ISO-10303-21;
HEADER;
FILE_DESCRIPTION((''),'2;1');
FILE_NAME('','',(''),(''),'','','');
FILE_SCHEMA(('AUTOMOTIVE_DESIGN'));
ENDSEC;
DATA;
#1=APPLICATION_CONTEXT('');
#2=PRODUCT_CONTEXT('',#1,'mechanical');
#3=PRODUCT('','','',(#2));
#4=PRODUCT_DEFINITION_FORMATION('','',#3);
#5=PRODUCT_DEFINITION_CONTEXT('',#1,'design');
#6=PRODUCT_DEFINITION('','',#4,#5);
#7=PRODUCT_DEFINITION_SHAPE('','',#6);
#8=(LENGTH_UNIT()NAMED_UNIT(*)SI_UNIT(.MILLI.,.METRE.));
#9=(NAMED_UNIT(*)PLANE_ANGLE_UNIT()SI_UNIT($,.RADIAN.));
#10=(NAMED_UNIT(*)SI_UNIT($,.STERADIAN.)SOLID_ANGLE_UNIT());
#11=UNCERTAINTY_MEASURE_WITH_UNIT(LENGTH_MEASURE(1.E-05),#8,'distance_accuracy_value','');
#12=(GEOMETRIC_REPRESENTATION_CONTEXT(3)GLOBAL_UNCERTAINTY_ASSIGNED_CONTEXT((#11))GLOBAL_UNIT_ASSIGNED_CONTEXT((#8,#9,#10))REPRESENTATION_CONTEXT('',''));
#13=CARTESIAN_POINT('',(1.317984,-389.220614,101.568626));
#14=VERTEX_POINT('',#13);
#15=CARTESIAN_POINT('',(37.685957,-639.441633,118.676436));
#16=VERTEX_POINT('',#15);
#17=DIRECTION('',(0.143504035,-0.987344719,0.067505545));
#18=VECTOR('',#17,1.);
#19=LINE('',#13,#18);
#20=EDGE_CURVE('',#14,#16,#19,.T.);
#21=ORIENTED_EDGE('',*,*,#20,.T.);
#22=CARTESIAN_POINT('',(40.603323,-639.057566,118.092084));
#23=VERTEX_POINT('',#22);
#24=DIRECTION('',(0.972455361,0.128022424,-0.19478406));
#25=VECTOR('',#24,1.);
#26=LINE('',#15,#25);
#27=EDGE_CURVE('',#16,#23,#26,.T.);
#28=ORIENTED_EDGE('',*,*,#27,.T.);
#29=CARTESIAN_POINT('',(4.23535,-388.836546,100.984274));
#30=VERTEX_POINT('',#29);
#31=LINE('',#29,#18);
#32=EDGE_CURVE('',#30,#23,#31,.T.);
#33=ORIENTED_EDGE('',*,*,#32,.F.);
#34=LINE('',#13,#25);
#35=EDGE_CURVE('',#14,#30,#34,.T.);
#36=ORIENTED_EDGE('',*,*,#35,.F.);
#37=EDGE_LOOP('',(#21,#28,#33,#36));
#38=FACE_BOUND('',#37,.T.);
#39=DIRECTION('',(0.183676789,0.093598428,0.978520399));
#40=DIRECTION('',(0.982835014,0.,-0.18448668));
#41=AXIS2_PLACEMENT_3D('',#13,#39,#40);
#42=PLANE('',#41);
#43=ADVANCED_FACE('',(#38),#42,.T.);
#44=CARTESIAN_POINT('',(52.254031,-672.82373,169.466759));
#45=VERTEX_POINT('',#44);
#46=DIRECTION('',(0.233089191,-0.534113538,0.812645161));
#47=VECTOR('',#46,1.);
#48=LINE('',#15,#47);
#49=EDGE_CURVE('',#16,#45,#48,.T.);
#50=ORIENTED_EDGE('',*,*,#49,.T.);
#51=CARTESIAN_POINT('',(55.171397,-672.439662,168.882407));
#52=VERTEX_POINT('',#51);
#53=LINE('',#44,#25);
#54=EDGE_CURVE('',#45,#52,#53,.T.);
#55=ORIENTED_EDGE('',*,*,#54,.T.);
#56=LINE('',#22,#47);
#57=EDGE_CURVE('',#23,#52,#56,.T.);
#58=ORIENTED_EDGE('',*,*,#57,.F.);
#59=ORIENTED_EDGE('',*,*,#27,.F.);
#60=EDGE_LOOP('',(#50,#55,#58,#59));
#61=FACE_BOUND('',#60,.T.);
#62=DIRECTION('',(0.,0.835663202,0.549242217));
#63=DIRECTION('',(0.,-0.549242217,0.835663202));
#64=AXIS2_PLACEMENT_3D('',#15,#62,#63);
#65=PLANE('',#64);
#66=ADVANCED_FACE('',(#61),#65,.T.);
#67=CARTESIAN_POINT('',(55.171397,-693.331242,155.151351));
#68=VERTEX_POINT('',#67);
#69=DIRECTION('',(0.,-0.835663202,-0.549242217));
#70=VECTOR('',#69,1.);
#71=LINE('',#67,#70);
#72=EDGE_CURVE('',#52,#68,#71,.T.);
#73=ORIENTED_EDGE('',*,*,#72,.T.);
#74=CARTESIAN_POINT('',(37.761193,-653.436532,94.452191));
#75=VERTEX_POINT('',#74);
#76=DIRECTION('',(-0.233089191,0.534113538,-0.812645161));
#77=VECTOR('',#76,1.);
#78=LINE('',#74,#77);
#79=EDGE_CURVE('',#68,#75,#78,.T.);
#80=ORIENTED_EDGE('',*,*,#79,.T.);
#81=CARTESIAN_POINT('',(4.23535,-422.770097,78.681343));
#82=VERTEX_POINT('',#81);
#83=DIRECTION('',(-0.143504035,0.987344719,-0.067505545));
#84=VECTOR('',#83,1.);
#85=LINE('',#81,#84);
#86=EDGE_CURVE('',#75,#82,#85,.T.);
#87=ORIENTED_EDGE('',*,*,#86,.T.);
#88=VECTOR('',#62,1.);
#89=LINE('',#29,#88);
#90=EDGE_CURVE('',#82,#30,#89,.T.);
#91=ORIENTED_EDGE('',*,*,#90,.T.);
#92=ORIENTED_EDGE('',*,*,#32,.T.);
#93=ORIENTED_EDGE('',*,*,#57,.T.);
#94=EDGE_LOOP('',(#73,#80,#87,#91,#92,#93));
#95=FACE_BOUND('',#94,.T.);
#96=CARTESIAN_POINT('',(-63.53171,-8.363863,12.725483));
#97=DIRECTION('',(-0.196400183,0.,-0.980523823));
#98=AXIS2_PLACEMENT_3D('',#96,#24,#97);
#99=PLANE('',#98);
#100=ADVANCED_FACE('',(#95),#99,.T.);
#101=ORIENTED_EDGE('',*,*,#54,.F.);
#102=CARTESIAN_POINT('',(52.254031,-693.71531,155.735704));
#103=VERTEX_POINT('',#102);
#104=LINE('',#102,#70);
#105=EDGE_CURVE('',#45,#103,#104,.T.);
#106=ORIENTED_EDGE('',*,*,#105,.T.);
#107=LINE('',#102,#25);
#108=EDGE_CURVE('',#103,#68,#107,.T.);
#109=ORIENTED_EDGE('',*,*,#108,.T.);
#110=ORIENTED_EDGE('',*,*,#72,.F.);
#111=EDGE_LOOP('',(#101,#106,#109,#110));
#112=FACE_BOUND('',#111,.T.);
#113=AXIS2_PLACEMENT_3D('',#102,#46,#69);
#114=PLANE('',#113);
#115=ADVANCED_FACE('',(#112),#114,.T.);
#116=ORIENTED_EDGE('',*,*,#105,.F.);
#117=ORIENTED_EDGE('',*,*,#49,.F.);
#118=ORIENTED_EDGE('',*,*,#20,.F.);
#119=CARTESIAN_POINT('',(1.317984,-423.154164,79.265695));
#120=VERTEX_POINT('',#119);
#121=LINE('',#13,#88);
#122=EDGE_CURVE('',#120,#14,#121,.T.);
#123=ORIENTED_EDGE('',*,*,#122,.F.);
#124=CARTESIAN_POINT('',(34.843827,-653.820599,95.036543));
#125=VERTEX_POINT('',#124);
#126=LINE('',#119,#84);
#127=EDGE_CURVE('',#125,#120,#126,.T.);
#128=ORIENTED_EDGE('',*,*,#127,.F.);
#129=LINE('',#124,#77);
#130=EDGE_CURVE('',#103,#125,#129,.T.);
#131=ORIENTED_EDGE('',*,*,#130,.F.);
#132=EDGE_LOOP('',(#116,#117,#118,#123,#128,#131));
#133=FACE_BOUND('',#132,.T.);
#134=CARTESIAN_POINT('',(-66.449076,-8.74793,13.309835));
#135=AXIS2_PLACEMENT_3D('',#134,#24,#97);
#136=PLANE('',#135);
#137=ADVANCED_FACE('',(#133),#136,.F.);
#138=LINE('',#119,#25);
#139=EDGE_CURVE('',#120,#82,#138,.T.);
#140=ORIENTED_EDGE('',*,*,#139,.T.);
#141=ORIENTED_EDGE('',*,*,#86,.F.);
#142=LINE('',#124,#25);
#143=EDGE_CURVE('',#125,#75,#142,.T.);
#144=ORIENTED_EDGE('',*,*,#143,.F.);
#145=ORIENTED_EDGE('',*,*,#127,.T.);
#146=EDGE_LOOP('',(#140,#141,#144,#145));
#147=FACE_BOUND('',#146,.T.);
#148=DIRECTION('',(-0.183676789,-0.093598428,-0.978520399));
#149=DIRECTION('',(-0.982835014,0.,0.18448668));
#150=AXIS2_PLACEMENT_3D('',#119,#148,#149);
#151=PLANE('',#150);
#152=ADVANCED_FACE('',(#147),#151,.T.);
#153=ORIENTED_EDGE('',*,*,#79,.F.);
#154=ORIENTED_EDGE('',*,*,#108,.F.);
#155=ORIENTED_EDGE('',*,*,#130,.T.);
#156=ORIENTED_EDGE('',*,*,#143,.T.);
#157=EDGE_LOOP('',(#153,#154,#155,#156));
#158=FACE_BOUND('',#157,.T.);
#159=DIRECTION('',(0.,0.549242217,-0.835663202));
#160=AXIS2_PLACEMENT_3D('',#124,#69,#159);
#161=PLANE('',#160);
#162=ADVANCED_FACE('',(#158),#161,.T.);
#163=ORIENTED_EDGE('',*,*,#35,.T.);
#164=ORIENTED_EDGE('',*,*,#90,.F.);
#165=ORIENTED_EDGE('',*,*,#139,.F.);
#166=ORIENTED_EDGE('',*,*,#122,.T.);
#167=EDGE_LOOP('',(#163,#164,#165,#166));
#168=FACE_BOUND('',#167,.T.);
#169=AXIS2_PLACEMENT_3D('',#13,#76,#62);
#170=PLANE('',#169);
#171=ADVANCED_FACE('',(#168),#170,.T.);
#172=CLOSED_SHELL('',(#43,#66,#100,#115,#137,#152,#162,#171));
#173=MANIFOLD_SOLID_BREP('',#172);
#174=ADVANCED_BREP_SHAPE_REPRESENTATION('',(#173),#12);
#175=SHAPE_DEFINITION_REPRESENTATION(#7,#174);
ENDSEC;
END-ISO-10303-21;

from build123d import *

# Parameters (mm, degrees)
BOSS_EXTRUDE1_DEPTH = 3


with BuildPart() as part:
    # Sketch1 → Boss-Extrude1 (new body)
    with BuildSketch(Plane(origin=(-63.53171022, -8.363863152, 12.725483305), x_dir=(0.233089191, -0.534113538, 0.812645161), z_dir=(0.972455361, 0.128022424, -0.19478406))):
        Polygon((290.734459145, 269.471566891), (290.734459145, 310.078298028), (434.567139603, 494.175733816), (509.260454317, 494.175733816), (509.260454317, 469.175733816), (446.760454317, 469.175733816), align=None)
    extrude(amount=-BOSS_EXTRUDE1_DEPTH)


solid = part.part
